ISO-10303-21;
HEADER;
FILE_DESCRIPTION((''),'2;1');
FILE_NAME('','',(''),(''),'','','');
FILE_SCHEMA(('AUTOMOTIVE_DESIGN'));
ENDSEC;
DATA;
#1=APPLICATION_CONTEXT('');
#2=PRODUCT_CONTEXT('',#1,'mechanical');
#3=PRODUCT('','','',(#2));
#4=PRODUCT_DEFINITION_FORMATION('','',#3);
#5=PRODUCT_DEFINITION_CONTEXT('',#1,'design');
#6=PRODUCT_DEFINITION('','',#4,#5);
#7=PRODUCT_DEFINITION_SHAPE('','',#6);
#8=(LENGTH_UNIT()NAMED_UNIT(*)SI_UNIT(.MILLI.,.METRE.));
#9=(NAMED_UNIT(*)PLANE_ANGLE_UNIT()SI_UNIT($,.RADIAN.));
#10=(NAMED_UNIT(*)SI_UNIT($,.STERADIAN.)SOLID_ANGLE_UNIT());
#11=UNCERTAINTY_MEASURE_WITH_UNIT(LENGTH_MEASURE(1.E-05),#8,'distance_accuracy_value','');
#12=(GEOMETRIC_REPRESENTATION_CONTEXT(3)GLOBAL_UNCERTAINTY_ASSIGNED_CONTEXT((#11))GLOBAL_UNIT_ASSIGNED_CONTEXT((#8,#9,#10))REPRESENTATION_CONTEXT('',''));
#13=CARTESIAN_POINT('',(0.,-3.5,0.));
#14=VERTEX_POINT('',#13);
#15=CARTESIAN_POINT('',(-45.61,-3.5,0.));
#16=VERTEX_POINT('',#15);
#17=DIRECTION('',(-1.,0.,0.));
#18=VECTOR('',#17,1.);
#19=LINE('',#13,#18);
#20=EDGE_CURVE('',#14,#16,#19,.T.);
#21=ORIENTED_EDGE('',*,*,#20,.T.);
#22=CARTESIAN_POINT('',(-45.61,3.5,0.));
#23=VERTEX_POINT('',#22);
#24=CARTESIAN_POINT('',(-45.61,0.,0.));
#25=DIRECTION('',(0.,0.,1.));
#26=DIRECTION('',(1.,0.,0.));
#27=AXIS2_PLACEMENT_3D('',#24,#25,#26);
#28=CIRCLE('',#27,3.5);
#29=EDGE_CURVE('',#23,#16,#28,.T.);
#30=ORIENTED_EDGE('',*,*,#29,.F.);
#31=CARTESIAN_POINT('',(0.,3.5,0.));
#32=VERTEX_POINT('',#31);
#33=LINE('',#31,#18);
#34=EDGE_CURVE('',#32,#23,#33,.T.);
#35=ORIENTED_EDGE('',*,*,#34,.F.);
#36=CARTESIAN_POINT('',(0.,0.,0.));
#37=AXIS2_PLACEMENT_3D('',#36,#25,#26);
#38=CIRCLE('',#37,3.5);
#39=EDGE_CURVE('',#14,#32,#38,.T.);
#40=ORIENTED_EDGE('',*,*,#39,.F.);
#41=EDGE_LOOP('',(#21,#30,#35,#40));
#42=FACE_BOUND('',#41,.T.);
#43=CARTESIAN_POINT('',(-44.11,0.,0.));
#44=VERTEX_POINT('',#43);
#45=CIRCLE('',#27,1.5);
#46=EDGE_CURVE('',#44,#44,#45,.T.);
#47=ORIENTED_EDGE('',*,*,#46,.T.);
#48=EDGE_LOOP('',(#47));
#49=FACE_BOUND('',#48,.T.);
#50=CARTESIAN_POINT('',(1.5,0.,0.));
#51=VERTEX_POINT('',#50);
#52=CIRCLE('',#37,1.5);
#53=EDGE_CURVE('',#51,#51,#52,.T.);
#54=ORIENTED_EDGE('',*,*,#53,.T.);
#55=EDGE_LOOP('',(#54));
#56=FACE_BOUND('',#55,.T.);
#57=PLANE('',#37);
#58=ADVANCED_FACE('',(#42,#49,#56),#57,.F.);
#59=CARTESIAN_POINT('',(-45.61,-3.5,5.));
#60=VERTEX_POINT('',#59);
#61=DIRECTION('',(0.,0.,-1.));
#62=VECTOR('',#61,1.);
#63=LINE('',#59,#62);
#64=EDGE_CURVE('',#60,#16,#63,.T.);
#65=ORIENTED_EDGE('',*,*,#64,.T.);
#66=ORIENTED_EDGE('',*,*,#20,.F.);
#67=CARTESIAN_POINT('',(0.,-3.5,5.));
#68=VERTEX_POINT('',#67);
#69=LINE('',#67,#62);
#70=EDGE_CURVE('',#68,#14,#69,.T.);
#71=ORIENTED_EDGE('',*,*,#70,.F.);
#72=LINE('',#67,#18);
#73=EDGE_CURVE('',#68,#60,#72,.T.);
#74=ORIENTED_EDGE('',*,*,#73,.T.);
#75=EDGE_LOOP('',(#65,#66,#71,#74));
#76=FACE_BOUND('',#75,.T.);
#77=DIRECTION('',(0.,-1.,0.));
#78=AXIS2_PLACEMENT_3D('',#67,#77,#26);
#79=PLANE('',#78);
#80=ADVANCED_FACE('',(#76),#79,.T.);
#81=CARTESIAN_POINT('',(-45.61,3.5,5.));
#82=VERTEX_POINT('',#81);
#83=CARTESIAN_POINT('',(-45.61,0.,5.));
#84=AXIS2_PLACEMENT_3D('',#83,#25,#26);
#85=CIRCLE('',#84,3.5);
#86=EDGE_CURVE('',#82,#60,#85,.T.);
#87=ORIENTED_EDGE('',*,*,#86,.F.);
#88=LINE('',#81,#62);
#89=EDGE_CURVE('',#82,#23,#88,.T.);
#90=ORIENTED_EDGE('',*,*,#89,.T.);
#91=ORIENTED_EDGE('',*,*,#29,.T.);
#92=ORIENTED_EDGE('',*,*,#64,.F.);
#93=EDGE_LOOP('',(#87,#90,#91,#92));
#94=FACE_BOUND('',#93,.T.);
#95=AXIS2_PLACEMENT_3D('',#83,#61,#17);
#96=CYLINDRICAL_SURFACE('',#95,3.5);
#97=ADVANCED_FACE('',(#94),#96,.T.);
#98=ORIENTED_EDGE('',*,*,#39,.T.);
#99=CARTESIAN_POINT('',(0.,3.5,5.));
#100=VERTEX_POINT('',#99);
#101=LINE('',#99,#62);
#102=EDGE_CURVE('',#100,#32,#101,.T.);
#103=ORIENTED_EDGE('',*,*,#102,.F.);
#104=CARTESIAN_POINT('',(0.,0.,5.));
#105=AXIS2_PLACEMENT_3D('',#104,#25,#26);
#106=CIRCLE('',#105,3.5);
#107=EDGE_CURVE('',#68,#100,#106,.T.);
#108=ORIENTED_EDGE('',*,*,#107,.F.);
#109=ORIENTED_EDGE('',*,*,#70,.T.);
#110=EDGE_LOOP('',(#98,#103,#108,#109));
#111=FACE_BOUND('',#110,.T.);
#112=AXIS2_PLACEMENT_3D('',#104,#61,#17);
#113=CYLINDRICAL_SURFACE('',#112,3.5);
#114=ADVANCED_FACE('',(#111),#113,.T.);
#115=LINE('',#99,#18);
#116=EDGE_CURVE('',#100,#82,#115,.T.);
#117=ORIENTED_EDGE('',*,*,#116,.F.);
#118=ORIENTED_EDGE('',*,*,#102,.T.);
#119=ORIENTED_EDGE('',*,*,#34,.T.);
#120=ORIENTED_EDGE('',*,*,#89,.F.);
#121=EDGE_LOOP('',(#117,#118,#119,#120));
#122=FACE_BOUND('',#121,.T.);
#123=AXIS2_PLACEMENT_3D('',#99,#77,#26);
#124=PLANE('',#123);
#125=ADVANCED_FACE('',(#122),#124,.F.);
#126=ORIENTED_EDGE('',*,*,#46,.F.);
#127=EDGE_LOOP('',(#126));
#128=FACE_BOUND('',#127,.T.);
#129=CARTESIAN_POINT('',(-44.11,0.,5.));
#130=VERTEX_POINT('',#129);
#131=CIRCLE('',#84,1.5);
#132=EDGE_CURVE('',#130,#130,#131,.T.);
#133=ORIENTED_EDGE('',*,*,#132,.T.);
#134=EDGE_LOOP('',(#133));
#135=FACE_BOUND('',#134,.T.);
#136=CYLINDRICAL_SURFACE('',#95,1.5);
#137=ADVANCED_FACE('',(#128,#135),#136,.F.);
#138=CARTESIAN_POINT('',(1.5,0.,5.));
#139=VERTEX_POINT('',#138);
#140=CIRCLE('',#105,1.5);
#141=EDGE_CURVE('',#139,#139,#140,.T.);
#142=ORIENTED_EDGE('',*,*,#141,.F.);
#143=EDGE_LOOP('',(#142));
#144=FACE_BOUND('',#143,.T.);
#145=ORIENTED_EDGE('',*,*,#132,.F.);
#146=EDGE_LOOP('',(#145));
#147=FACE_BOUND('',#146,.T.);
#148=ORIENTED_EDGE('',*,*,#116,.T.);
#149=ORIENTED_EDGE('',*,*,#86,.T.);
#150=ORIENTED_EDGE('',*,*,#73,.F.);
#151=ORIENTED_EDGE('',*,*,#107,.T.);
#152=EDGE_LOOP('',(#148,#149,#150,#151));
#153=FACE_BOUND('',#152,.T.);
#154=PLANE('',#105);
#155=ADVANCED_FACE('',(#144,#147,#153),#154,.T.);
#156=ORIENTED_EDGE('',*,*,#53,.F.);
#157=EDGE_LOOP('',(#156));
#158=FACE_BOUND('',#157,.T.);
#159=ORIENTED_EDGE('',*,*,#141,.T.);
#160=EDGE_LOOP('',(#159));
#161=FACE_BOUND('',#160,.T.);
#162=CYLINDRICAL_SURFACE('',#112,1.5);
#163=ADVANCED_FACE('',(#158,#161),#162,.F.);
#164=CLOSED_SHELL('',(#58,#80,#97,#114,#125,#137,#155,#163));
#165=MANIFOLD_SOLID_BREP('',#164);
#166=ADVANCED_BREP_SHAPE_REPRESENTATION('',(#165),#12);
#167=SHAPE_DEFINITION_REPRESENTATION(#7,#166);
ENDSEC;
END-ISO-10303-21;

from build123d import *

# Parameters (mm, degrees)
SKETCH1_R           = 1.5
BOSS_EXTRUDE1_DEPTH = 5


with BuildPart() as part:
    # Sketch1 → Boss-Extrude1 (new body)
    with BuildSketch(Plane.XY):
        with BuildLine():
            Line((-45.61, -3.5), (0, -3.5))
            ThreePointArc((0, -3.5), (3.5, 0), (0, 3.5))
            Line((0, 3.5), (-45.61, 3.5))
            ThreePointArc((-45.61, 3.5), (-49.11, 0), (-45.61, -3.5))
        make_face()
        with Locations((-45.61, 0)):
            Circle(SKETCH1_R, mode=Mode.SUBTRACT)
        Circle(SKETCH1_R, mode=Mode.SUBTRACT)
    extrude(amount=BOSS_EXTRUDE1_DEPTH)


solid = part.part
